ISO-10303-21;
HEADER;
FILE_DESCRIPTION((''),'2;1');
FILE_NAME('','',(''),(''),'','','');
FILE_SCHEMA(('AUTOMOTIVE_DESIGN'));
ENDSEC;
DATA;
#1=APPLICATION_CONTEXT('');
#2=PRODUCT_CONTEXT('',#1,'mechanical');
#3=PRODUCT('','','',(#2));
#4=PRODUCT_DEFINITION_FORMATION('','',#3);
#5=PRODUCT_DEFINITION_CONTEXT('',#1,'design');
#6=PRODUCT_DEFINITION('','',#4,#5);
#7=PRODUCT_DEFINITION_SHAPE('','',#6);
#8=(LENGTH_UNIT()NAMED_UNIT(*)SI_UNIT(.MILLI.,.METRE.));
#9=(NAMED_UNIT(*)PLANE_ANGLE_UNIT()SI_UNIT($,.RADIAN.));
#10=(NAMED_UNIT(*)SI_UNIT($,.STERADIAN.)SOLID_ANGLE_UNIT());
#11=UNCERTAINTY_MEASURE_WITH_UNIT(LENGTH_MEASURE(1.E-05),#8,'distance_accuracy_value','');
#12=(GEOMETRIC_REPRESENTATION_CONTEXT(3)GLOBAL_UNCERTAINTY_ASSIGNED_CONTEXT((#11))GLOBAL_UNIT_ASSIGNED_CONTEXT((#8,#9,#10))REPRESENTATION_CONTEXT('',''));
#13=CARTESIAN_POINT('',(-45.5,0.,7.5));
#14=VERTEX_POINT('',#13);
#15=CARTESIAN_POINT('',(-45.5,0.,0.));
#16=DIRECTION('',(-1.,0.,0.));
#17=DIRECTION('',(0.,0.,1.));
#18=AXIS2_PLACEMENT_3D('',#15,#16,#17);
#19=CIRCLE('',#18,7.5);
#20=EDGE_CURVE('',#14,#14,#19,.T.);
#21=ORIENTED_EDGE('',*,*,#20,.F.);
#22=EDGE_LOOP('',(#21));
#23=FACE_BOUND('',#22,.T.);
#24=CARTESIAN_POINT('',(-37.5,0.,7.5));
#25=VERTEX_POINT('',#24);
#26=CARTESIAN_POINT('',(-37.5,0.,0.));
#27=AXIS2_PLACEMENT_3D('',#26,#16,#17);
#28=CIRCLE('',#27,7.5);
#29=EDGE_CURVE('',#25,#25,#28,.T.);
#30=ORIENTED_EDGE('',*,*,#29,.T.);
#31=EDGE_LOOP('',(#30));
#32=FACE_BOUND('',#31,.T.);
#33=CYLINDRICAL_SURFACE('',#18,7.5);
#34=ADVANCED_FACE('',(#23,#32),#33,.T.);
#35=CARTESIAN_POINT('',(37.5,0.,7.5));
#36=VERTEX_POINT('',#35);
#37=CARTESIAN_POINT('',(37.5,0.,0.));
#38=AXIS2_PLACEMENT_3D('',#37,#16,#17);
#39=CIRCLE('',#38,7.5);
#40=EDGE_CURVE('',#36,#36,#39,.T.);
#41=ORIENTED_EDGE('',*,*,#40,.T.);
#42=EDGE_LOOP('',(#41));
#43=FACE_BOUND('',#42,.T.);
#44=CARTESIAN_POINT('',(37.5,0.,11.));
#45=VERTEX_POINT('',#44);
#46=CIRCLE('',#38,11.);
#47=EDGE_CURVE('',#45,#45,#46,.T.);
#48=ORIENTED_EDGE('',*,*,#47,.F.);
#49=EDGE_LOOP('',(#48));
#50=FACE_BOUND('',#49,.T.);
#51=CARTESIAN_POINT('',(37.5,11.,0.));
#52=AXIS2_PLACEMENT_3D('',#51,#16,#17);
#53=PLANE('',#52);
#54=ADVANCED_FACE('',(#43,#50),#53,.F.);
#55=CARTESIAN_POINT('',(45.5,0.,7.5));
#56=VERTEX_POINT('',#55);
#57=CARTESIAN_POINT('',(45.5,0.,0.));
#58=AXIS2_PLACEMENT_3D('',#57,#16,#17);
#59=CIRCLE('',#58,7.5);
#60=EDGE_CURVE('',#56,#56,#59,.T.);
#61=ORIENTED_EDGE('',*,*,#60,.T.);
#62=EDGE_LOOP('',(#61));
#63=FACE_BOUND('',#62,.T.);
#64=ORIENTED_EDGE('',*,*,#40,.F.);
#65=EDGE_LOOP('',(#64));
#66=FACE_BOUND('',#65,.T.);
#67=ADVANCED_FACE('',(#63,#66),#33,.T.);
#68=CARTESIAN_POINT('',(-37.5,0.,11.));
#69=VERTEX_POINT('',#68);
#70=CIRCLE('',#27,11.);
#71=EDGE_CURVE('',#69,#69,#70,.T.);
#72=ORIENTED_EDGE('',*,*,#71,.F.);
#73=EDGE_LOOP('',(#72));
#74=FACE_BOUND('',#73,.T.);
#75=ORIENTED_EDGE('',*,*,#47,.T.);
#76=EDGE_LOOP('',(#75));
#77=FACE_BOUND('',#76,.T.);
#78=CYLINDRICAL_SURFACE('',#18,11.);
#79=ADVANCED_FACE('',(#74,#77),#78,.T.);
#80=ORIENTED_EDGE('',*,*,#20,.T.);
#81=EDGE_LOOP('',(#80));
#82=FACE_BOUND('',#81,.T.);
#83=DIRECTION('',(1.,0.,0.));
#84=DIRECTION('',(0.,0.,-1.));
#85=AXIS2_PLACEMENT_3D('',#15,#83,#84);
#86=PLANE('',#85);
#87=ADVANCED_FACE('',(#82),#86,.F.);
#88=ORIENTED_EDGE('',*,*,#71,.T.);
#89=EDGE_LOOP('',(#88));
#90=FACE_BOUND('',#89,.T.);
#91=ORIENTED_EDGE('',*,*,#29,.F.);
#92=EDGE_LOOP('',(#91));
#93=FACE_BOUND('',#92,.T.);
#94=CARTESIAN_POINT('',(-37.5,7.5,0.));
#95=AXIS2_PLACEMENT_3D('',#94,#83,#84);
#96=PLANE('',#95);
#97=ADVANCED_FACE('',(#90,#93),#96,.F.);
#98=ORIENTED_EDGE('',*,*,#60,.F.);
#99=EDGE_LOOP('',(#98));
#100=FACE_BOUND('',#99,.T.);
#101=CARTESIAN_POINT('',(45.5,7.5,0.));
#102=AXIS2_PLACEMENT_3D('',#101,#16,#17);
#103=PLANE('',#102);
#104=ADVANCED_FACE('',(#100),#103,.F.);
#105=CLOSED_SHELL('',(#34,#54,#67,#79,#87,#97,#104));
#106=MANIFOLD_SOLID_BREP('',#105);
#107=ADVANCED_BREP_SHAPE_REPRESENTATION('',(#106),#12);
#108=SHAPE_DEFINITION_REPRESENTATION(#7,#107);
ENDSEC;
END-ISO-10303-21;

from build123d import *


with BuildPart() as part:
    # Sketch1 → Revolve1 (revolve)
    with BuildSketch(Plane.XY):
        Polygon((-45.5, 0), (-45.5, 7.5), (-37.5, 7.5), (-37.5, 11), (37.5, 11), (37.5, 7.5), (45.5, 7.5), (45.5, 0), align=None)
    revolve(axis=Axis((-45.5, 0, 0), (1, 0, 0)))


solid = part.part
